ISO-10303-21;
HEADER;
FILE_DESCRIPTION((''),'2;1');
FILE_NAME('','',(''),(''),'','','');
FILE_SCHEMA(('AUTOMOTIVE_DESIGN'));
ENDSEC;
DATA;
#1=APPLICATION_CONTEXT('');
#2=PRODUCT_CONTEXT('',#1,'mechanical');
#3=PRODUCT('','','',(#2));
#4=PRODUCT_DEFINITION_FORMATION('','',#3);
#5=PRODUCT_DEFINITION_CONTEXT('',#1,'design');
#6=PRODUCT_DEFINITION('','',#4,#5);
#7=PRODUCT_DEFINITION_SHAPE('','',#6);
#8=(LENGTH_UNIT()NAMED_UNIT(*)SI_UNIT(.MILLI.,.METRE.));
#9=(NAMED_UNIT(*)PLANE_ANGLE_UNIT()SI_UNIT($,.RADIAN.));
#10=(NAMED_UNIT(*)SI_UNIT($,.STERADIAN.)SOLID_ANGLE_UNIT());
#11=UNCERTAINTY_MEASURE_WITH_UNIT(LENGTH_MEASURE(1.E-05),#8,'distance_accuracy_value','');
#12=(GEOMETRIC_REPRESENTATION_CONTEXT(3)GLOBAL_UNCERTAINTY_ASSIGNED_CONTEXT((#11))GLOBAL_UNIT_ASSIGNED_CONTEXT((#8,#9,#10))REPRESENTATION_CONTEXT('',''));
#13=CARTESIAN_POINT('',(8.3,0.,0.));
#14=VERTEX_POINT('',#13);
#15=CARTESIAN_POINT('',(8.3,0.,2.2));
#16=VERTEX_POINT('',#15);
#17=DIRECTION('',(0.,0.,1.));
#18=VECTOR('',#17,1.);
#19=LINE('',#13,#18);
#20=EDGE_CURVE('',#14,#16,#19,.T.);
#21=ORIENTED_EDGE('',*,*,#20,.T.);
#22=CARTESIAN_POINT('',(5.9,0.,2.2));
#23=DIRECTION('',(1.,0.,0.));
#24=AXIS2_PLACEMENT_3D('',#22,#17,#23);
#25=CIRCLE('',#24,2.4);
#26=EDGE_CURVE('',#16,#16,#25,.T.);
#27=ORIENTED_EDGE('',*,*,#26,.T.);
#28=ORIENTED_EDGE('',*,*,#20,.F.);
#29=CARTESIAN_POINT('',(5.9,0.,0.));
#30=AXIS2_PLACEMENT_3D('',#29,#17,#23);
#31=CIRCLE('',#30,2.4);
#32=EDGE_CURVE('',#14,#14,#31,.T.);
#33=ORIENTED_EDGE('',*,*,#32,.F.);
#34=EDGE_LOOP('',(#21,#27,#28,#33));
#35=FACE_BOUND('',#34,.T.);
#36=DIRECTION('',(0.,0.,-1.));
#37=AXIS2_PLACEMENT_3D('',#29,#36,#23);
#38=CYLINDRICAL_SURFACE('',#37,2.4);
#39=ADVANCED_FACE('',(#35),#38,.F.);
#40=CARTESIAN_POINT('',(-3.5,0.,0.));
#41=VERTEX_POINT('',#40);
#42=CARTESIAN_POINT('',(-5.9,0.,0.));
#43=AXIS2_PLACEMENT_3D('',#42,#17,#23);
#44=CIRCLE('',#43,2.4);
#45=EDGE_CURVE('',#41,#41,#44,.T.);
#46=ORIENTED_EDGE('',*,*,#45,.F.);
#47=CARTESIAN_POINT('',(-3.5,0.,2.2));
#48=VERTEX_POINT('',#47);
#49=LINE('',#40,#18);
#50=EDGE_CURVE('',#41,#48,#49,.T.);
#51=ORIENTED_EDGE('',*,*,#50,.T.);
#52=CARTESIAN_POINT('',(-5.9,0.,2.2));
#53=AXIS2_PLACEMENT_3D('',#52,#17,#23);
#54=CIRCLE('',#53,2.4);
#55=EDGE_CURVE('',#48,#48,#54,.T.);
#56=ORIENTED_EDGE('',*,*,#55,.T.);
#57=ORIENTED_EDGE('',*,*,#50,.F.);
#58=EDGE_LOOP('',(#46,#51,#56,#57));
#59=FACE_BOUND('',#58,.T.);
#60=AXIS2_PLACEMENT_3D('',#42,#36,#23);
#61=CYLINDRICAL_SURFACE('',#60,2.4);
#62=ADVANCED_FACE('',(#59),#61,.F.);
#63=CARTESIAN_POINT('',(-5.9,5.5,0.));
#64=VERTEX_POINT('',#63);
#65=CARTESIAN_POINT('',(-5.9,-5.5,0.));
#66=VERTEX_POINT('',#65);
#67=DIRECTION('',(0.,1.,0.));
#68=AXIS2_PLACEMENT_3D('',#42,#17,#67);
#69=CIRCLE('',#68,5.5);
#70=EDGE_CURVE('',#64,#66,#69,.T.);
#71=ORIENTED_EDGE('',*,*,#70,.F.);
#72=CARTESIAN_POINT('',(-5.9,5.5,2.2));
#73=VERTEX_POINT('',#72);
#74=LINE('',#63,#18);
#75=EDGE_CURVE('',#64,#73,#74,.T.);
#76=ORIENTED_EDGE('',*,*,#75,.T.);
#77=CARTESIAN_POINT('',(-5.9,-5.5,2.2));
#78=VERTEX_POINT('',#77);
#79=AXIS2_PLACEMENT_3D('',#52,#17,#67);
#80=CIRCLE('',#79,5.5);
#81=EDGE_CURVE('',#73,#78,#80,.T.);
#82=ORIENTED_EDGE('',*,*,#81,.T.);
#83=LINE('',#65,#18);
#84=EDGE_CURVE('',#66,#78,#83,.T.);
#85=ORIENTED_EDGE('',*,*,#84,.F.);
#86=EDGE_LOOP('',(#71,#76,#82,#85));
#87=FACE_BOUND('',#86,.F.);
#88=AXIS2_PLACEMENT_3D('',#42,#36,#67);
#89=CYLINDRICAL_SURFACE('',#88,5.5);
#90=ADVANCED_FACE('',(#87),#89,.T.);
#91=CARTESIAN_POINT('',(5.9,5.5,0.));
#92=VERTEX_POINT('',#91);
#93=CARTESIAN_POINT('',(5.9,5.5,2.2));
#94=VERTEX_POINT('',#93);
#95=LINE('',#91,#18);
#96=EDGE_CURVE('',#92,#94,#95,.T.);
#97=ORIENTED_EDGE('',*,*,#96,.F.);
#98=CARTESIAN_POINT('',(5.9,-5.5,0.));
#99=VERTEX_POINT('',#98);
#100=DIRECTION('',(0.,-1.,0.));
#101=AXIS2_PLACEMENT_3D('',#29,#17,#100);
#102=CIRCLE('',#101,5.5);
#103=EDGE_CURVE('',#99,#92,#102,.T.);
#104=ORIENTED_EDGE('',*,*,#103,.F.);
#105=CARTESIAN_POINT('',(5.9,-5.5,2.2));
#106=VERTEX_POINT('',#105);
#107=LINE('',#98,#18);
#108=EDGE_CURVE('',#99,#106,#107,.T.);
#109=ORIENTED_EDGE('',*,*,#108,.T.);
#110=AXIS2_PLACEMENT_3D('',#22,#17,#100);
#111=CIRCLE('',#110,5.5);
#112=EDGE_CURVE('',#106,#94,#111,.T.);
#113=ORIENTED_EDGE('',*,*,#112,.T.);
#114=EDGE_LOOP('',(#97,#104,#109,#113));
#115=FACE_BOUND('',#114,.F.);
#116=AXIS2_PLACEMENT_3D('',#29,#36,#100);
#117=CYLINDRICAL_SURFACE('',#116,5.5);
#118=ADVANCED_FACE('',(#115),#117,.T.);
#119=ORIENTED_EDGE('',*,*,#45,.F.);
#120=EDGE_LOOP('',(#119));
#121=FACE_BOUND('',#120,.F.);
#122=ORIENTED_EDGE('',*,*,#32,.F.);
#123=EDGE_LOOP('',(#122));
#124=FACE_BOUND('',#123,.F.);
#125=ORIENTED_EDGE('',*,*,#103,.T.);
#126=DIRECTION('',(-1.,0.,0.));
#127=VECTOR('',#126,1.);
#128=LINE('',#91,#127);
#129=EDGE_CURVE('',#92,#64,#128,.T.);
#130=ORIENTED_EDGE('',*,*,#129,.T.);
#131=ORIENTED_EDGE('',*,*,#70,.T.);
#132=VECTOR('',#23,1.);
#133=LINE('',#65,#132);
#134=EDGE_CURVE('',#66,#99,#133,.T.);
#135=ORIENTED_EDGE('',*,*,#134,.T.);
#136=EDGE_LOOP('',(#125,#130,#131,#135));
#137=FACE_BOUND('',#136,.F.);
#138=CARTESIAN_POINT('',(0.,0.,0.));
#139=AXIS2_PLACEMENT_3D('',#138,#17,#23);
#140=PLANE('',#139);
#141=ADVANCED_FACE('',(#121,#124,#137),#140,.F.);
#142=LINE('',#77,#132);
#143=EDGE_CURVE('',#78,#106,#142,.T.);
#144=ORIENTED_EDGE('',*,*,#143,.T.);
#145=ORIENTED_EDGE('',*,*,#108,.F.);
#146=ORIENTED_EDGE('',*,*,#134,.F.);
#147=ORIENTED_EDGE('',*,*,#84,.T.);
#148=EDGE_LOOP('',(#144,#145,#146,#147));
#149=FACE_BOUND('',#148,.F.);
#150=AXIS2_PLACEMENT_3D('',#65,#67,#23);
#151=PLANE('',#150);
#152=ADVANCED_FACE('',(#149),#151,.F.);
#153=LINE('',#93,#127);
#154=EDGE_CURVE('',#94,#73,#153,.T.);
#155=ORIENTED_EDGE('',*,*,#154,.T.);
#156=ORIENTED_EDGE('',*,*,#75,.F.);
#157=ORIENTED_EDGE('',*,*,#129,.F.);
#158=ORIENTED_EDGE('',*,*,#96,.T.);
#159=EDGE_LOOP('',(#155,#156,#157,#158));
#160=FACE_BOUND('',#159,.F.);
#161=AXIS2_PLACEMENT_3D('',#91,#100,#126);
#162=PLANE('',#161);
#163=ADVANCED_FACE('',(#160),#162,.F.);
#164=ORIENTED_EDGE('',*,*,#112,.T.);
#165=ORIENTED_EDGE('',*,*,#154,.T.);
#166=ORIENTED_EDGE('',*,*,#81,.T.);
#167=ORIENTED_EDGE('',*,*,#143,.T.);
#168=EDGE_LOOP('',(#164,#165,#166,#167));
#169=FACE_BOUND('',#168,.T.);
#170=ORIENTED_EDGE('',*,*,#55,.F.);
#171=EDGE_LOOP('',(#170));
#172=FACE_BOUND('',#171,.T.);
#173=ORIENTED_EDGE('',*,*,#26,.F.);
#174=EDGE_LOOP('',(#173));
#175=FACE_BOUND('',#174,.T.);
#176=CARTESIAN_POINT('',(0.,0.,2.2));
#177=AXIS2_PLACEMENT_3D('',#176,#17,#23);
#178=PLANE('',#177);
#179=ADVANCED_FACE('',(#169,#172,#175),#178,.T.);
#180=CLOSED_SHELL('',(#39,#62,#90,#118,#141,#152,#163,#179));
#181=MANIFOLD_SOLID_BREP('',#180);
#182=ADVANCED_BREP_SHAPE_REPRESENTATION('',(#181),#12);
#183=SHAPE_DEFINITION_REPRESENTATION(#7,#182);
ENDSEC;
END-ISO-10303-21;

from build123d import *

# Parameters (mm, degrees)
SKETCH_R  = 2.4
PAD_DEPTH = 2.2


with BuildPart() as part:
    # Sketch → Pad (new body)
    with BuildSketch(Plane.XY):
        with BuildLine():
            ThreePointArc((-5.9, 5.5), (-11.4, 0), (-5.9, -5.5))
            Line((-5.9, -5.5), (5.9, -5.5))
            ThreePointArc((5.9, -5.5), (11.4, 0), (5.9, 5.5))
            Line((5.9, 5.5), (-5.9, 5.5))
        make_face()
        with Locations((-5.9, 0)):
            Circle(SKETCH_R, mode=Mode.SUBTRACT)
        with Locations((5.9, 0)):
            Circle(SKETCH_R, mode=Mode.SUBTRACT)
    extrude(amount=PAD_DEPTH)


solid = part.part
